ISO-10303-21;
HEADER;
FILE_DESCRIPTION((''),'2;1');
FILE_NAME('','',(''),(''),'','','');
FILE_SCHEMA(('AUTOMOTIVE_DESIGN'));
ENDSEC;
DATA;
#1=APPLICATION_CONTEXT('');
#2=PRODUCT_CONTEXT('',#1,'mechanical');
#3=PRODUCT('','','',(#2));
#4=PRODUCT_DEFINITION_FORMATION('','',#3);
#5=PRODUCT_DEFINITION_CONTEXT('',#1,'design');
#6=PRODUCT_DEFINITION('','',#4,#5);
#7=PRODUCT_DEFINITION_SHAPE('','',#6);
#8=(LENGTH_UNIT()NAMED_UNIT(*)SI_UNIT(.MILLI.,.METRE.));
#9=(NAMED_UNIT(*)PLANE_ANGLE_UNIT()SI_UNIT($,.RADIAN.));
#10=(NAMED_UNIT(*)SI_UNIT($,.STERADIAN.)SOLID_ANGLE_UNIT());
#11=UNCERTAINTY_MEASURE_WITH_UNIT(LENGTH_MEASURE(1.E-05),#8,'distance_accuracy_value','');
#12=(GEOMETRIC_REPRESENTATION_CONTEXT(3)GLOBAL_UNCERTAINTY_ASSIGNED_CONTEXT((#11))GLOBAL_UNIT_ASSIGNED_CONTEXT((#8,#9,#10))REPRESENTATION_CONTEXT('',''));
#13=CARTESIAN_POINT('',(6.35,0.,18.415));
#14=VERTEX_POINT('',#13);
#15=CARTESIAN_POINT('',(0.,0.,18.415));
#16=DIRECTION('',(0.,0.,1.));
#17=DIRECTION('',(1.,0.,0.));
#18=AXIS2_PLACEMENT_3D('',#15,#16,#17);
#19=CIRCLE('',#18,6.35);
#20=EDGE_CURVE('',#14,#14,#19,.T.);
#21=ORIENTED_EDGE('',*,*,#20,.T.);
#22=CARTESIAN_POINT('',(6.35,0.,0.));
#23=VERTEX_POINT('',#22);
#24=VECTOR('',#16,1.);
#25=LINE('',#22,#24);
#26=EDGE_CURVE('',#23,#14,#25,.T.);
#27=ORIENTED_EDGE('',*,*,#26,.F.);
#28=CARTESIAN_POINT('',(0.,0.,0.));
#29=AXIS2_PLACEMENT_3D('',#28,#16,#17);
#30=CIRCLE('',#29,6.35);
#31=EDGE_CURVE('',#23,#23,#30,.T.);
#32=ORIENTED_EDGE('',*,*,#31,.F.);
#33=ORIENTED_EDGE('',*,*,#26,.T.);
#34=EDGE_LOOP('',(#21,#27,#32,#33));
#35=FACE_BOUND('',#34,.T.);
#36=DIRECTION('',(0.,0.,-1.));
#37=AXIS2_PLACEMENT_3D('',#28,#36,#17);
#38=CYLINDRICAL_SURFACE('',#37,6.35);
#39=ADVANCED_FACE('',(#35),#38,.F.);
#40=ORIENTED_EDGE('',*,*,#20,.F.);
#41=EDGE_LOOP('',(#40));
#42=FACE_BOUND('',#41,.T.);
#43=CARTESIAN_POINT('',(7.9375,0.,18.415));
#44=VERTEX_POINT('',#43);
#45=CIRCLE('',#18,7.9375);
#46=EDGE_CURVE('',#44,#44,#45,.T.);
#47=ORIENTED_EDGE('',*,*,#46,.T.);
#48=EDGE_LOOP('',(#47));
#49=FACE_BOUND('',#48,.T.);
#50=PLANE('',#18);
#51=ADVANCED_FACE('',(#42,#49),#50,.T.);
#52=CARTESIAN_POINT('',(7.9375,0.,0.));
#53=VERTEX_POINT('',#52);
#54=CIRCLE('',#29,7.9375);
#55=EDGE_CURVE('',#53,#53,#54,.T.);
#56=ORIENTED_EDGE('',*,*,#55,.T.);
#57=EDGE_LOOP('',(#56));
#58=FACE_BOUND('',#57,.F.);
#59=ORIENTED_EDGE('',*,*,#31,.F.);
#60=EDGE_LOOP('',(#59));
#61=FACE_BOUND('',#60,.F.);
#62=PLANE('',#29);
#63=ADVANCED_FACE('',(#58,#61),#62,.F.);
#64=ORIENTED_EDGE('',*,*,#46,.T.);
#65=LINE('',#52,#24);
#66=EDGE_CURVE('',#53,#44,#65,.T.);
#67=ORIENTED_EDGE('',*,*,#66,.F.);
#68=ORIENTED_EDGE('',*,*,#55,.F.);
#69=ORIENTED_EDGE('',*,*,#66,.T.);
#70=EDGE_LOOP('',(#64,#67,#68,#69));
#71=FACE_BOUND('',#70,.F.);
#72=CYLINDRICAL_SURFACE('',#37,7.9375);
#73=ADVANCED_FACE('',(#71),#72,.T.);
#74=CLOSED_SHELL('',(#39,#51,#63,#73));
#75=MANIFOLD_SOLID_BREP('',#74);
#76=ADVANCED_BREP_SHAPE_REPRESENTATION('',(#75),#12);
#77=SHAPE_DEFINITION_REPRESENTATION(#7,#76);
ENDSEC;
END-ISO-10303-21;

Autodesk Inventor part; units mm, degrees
ref_plane "YZ Plane" through (0, 0, 0) normal (1, 0, 0) x (0, 1, 0)
ref_plane "XZ Plane" through (0, 0, 0) normal (0, 1, 0) x (-1, 0, 0)
ref_plane "XY Plane" through (0, 0, 0) normal (0, 0, 1) x (1, 0, 0)
sketch "Sketch1" plane through (0, 0, 0) normal (0, 0, 1) x (1, 0, 0)
  circle A0 centre (0, 0) radius 7.9375
  circle A1 centre (0, 0) radius 6.35
  dimension "d0" = 15.875
  dimension "d1" = 12.7
extrude "Extrusion1" add sketch "Sketch1" along normal blind 18.415
properties part number "Shaft Spacer Part1" material "PVC-Piping"
